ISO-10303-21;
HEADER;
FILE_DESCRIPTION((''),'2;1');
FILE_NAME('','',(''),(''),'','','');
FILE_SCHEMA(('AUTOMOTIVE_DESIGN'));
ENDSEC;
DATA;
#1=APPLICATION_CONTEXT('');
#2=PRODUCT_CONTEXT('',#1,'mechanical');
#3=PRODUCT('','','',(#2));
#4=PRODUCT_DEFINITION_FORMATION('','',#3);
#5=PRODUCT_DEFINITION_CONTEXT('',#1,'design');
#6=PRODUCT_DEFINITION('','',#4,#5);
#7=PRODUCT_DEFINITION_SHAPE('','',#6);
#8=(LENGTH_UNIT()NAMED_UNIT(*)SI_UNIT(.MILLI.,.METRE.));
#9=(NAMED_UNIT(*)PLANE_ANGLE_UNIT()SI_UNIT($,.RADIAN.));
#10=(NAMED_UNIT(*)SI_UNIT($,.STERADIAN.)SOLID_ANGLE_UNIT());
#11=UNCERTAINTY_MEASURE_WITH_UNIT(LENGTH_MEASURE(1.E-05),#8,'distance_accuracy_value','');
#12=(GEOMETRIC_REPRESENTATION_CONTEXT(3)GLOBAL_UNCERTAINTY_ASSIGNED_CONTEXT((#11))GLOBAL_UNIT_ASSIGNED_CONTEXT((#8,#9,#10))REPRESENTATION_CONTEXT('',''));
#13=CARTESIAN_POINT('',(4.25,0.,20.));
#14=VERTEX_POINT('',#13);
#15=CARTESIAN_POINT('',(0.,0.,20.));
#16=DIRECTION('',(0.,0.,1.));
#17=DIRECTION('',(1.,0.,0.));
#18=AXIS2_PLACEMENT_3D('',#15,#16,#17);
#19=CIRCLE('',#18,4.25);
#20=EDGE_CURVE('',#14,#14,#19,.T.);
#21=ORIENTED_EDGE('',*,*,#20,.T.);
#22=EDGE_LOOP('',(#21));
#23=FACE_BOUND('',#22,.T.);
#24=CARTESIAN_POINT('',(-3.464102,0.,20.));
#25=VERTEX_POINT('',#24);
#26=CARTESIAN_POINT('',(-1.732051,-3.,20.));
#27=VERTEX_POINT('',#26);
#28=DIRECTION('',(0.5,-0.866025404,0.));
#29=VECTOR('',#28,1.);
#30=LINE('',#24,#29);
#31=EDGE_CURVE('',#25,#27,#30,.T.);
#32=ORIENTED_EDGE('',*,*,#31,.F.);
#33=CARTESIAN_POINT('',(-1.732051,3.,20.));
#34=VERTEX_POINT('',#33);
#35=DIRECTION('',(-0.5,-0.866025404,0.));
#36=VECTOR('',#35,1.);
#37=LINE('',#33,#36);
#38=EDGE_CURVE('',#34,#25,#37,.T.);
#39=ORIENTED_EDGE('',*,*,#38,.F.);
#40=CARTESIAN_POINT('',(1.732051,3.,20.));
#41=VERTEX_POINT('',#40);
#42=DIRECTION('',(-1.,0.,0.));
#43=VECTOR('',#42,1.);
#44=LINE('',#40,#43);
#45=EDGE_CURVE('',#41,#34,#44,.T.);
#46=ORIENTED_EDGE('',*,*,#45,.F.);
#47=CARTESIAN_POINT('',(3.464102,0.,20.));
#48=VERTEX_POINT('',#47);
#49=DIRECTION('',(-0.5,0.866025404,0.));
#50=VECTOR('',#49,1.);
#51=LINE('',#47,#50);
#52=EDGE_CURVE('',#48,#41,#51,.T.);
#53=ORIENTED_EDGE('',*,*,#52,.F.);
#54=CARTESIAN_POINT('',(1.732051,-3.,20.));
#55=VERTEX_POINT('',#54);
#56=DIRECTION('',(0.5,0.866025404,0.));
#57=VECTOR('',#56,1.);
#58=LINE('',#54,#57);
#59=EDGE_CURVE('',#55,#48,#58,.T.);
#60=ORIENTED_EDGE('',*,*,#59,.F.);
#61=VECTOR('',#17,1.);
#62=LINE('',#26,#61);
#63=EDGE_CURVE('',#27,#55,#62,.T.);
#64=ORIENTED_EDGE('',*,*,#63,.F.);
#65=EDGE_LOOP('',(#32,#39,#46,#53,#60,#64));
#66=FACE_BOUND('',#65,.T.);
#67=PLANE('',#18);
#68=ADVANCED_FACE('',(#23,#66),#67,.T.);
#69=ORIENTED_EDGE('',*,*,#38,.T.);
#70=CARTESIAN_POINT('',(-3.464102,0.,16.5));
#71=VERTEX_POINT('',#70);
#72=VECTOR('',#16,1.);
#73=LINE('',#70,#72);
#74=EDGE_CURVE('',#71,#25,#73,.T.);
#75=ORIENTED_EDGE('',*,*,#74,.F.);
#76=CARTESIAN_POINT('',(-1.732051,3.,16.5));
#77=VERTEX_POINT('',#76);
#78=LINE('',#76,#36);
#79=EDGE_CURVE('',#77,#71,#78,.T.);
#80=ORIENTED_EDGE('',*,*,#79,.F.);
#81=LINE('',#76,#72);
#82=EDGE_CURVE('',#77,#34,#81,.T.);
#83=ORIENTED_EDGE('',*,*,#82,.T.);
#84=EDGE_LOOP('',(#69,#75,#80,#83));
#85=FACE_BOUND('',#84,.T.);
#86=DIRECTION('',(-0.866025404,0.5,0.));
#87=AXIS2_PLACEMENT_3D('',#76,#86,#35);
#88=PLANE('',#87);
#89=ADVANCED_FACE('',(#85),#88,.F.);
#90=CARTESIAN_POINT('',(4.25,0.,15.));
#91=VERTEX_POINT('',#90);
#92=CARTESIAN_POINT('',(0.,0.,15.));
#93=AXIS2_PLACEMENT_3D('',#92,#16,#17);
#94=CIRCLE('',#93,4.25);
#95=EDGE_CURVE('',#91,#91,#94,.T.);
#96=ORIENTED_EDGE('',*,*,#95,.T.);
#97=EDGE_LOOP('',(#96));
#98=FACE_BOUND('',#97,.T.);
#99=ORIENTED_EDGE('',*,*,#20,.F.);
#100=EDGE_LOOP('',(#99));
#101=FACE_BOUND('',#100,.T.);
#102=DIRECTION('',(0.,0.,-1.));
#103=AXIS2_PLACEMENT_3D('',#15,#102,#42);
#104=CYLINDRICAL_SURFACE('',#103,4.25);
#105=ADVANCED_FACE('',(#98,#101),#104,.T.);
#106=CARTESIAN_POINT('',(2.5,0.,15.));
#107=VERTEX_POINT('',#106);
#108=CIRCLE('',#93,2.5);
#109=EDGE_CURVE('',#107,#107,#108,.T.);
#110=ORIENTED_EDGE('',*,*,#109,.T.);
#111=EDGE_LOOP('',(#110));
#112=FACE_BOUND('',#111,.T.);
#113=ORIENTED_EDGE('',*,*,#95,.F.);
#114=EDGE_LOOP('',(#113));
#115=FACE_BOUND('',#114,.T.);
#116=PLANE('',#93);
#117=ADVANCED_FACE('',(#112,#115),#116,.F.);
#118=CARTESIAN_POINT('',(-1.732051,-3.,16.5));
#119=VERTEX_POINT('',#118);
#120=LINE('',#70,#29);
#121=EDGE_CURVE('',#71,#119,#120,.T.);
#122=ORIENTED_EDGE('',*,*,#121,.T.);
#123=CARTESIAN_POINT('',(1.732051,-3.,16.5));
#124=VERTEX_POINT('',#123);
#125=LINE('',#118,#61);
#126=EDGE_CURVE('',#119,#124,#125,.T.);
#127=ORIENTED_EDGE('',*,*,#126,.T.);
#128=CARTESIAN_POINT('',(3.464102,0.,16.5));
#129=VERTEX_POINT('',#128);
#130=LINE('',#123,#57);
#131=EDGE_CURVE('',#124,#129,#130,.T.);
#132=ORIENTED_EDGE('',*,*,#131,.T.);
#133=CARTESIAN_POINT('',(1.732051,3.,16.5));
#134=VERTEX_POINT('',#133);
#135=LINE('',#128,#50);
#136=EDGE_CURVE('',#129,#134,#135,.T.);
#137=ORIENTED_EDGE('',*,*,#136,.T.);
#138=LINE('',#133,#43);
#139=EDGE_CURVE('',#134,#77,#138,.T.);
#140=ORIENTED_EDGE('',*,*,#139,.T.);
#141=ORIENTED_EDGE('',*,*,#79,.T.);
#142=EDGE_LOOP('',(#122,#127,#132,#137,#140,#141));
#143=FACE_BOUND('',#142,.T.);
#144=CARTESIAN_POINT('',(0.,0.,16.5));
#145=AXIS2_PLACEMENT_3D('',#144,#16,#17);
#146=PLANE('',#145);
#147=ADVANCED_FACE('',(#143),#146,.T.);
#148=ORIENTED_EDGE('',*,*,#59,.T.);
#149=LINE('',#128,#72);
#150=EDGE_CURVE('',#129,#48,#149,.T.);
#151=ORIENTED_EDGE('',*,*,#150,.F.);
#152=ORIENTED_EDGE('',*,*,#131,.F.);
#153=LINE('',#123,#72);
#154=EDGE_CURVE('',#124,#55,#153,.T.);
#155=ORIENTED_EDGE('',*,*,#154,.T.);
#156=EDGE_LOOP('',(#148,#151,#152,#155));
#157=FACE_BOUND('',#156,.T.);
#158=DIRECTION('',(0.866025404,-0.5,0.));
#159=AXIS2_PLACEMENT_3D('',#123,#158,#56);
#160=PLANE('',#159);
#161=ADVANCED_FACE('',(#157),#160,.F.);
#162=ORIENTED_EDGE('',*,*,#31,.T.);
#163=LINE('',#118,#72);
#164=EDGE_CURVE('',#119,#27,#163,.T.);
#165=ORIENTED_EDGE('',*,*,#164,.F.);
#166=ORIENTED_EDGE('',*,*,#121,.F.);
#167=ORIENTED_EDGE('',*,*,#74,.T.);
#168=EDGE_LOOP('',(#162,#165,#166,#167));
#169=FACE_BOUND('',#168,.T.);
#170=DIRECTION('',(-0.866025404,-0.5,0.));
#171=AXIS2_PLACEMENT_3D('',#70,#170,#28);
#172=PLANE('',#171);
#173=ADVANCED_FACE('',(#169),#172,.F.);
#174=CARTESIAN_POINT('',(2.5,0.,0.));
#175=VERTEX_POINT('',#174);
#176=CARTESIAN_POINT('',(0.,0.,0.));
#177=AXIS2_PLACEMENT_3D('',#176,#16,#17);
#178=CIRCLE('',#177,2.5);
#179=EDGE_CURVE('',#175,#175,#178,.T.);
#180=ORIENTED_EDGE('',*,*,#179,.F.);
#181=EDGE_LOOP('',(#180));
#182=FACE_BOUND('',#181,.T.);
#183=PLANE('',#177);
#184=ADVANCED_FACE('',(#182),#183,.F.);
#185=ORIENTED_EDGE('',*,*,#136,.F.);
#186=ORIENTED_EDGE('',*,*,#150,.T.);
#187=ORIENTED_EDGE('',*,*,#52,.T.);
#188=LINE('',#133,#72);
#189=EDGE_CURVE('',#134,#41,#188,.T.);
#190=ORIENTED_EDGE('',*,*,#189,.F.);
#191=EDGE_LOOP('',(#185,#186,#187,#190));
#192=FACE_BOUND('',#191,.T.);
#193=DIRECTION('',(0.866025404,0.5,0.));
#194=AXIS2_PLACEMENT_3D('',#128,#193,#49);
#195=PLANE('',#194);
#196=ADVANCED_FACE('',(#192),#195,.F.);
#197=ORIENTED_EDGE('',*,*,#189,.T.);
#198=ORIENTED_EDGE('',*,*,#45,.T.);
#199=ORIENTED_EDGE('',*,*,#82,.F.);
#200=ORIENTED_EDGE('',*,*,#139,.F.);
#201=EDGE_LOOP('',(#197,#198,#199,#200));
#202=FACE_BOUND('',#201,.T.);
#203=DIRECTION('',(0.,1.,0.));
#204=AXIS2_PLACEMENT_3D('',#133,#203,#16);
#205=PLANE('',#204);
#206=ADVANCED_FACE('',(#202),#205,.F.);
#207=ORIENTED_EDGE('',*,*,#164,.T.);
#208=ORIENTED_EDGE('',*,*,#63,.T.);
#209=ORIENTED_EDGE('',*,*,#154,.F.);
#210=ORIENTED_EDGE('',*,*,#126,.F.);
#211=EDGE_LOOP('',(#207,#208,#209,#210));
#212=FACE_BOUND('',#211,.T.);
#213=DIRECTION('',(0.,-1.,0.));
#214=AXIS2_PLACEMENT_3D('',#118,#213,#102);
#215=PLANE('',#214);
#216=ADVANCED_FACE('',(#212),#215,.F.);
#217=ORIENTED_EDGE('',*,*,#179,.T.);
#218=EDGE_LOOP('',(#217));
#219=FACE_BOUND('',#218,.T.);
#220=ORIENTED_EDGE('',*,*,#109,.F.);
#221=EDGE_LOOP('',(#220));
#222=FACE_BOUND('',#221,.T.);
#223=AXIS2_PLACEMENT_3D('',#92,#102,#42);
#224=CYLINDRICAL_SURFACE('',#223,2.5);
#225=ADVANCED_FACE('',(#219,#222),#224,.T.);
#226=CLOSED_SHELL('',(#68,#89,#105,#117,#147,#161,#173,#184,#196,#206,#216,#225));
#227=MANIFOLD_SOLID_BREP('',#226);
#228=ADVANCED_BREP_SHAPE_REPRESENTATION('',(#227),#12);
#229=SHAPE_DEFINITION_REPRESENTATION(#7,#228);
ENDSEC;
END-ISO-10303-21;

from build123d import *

# Parameters (mm, degrees)
ESQUISSE1_R             = 2.5
BOSS_EXTRU_1_DEPTH      = 15
ESQUISSE2_R             = 4.25
BOSS_EXTRU_2_DEPTH      = 5
ENL_V_MAT_EXTRU_1_DEPTH = 3.5


with BuildPart() as part:
    # Esquisse1 → Boss.-Extru.1 (new body)
    with BuildSketch(Plane.XY):
        Circle(ESQUISSE1_R)
    extrude(amount=BOSS_EXTRU_1_DEPTH)

    # Esquisse2 → Boss.-Extru.2 (add)
    with BuildSketch(Plane.XY.offset(15)):
        Circle(ESQUISSE2_R)
    extrude(amount=BOSS_EXTRU_2_DEPTH)

    # Esquisse3 → Enlèv. mat.-Extru.1 (cut)
    with BuildSketch(Plane.XY.offset(20)):
        Polygon((3.464101615, 0), (1.732050808, 3), (-1.732050808, 3), (-3.464101615, 0), (-1.732050808, -3), (1.732050808, -3), align=None)
    extrude(amount=-ENL_V_MAT_EXTRU_1_DEPTH, mode=Mode.SUBTRACT)


solid = part.part
